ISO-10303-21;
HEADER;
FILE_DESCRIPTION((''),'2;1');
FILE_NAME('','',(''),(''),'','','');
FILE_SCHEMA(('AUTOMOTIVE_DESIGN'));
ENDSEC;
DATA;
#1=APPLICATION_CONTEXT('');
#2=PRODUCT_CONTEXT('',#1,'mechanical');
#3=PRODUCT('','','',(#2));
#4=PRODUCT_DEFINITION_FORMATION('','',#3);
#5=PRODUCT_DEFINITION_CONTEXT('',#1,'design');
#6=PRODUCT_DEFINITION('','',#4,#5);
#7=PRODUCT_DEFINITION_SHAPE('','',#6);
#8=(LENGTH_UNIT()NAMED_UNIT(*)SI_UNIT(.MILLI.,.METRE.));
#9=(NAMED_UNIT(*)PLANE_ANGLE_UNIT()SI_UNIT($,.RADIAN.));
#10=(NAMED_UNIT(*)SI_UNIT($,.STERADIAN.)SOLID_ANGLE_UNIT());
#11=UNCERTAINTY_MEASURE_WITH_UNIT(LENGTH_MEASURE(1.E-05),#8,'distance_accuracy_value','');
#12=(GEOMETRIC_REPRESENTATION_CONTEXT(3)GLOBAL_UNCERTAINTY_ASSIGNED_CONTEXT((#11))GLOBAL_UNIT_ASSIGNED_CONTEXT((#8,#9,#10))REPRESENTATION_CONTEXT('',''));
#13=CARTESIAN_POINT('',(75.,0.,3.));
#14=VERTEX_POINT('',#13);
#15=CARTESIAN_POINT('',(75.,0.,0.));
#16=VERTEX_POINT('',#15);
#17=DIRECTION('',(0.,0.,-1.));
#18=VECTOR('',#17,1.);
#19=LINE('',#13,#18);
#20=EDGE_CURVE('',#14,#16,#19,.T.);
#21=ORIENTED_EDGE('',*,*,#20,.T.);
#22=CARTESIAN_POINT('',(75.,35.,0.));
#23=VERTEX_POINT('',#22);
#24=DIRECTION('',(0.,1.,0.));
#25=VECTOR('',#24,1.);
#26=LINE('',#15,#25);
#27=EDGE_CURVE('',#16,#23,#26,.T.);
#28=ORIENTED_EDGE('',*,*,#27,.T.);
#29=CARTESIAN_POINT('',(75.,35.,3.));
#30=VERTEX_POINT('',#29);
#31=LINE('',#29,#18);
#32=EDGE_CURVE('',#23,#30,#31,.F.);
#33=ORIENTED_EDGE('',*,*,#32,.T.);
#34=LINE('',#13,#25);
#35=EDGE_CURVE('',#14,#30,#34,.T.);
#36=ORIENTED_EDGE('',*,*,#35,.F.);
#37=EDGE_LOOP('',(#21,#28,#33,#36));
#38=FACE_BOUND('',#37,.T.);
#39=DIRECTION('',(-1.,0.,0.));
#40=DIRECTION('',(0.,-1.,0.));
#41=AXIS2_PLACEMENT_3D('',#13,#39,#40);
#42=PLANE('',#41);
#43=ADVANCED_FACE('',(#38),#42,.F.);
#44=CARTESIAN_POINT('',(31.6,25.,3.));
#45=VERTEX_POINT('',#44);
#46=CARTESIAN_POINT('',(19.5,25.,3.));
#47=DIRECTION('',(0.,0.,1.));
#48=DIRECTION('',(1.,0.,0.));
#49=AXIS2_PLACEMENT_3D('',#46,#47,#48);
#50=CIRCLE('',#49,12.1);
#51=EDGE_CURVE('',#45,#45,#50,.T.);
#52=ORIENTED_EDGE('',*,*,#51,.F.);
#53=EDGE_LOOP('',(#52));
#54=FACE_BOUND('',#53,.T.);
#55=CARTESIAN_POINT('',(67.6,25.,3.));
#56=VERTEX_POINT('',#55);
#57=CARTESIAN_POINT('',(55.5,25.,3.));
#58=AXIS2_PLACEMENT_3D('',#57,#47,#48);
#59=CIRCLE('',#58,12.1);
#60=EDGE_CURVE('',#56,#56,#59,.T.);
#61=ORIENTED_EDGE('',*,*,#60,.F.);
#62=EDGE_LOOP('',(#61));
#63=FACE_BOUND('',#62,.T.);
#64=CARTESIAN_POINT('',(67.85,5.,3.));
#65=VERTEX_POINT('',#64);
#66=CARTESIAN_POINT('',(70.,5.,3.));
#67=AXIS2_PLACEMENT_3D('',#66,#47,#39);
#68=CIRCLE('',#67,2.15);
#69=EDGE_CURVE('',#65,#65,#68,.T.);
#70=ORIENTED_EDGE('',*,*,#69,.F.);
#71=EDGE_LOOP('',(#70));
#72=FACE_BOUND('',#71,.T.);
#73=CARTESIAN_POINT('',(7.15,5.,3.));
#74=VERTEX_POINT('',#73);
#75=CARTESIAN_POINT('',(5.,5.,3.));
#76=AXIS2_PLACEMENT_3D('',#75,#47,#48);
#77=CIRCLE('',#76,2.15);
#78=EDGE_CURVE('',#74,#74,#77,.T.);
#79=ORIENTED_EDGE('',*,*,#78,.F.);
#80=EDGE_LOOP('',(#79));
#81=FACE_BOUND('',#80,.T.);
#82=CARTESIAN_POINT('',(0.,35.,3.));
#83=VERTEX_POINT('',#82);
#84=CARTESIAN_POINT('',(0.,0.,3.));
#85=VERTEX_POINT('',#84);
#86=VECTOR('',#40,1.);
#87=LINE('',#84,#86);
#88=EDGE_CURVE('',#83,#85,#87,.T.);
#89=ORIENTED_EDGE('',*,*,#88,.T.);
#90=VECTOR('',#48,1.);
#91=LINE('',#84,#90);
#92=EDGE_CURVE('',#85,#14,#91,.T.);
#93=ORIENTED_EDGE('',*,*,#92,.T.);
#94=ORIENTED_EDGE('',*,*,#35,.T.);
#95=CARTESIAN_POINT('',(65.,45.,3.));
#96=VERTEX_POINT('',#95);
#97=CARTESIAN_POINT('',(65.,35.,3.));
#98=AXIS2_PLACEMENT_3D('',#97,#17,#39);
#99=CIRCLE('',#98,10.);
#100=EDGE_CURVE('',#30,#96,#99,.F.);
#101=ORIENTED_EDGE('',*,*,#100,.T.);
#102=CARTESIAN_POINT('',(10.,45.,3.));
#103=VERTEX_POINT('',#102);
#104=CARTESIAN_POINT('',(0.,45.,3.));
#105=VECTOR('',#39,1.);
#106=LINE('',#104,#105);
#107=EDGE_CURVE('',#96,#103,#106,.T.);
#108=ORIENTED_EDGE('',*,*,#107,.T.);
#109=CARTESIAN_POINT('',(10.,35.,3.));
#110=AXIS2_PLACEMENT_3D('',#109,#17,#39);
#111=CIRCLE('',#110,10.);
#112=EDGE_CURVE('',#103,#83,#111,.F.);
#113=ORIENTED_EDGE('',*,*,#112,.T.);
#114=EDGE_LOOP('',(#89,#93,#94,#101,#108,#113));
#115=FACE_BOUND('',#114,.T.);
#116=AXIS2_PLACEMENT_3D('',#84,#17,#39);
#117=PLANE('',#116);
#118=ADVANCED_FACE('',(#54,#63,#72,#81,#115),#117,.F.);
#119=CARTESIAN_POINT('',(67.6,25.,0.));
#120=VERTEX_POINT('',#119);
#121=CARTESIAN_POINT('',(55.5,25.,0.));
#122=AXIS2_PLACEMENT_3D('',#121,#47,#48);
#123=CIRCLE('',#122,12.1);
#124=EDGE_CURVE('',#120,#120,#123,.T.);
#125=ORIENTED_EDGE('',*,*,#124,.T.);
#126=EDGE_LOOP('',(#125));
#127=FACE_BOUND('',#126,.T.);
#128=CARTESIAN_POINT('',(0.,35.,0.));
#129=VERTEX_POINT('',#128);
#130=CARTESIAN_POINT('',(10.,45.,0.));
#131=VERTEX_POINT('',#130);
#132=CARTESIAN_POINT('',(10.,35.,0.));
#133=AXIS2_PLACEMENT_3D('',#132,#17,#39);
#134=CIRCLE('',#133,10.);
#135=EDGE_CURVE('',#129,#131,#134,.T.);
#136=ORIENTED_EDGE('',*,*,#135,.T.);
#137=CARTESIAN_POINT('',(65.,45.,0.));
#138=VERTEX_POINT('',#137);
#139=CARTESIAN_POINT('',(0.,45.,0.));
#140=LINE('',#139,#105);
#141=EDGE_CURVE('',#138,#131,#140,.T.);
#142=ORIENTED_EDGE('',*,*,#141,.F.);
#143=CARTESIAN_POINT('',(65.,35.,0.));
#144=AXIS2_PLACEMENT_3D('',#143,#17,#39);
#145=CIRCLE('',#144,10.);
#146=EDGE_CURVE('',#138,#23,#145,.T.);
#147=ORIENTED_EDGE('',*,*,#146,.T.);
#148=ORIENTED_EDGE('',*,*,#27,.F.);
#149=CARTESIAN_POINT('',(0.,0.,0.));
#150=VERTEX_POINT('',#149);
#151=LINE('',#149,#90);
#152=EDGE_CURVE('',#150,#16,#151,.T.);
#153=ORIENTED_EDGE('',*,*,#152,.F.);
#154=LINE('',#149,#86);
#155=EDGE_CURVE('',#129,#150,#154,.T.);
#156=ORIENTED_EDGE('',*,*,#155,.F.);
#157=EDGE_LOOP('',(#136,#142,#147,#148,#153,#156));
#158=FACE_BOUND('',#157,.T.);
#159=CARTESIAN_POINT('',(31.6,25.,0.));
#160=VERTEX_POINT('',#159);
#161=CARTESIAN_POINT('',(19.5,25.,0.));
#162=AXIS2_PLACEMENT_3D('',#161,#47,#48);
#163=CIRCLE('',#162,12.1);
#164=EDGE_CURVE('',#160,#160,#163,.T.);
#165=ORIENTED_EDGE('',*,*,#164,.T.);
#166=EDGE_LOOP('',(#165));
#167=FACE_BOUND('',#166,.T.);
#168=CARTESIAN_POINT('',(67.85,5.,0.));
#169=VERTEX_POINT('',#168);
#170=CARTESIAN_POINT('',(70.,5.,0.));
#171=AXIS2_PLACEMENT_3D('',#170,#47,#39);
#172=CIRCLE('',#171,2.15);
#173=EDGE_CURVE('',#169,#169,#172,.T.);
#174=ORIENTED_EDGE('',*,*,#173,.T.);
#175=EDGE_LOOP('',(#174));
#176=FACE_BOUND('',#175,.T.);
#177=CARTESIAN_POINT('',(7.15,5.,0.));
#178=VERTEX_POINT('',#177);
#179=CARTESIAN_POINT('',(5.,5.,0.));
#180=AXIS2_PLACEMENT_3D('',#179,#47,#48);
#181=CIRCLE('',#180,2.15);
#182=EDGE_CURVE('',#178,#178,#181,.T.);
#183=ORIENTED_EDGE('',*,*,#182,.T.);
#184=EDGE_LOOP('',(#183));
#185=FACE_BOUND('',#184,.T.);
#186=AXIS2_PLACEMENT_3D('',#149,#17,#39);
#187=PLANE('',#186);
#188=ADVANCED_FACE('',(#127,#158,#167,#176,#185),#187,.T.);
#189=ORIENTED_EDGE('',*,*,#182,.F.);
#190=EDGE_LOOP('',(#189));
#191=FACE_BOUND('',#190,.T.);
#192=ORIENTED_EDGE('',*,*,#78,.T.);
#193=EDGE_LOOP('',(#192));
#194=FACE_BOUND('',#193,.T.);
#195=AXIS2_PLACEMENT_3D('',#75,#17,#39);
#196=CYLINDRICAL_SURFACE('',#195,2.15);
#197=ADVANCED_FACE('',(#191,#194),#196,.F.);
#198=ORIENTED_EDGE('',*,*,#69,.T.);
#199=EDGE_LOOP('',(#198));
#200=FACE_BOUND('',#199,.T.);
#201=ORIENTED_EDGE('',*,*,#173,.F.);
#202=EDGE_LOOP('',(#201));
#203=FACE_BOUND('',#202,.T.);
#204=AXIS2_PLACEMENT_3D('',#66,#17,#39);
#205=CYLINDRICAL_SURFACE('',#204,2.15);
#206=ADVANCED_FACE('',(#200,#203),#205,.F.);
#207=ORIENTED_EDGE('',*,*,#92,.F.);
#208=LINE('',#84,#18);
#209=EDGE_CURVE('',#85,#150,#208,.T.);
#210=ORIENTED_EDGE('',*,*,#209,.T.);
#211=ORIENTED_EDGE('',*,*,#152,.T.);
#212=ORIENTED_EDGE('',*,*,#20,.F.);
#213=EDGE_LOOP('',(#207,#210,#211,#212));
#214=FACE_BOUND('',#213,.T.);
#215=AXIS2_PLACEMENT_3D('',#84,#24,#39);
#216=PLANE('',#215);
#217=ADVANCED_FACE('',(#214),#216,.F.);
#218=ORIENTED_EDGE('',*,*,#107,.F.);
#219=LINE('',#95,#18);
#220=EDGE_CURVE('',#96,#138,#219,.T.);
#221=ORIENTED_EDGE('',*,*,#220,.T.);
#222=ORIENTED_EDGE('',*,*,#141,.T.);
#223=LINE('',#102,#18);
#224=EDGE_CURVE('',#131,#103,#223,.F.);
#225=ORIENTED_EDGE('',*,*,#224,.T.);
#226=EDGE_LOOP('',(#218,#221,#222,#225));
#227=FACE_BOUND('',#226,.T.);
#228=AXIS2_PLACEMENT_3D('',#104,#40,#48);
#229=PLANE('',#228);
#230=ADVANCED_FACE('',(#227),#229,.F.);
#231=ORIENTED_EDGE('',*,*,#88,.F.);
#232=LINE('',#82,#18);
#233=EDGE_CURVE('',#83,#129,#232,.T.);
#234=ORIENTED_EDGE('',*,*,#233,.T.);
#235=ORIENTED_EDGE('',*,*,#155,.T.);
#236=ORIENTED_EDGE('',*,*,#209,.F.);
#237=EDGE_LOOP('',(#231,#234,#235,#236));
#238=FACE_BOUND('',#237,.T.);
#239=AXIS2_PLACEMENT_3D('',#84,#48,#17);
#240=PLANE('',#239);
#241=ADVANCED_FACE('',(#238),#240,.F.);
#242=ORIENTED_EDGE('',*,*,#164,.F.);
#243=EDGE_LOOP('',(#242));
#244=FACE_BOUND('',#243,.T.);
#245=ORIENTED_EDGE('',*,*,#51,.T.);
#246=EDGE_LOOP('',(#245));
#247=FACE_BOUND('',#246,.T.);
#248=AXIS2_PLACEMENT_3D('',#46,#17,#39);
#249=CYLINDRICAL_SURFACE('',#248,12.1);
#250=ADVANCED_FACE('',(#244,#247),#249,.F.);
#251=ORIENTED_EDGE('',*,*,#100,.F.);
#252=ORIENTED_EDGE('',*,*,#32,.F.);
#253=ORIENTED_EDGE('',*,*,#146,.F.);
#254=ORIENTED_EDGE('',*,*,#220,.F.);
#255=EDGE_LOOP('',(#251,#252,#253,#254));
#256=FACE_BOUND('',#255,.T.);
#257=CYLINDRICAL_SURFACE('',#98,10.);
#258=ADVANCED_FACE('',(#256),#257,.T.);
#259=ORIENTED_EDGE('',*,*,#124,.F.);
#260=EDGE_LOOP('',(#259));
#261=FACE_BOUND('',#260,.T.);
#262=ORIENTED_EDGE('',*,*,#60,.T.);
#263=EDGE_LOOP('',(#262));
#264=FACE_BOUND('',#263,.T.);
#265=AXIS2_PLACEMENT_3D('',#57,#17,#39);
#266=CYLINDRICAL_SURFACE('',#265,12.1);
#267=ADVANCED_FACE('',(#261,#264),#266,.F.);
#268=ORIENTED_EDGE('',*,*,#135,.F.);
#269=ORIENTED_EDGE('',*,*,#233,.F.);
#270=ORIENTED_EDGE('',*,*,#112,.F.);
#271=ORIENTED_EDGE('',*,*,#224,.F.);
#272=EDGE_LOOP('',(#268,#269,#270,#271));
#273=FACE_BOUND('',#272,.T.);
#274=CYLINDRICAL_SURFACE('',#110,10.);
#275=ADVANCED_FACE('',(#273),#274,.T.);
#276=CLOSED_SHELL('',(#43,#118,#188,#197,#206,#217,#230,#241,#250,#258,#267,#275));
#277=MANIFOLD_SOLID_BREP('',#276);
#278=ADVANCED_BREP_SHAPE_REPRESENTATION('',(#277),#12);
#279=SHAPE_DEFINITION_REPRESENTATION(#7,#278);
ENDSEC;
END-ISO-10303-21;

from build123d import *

# Parameters (mm, degrees)
SKETCH_1_W      = 75
SKETCH_1_H      = 45
SKETCH_1_R      = 12.1
SKETCH_1_R_2    = 2.15
EXTRUDE_1_DEPTH = 3
FILLET_1_R      = 10


with BuildPart() as part:
    # ｽｹｯﾁ1 → ﾎﾞｽ - 押し出し1 (new body)
    with BuildSketch(Plane.XY):
        with Locations((37.5, 22.5)):
            Rectangle(SKETCH_1_W, SKETCH_1_H)
        with Locations((19.5, 25)):
            Circle(SKETCH_1_R, mode=Mode.SUBTRACT)
        with Locations((55.5, 25)):
            Circle(SKETCH_1_R, mode=Mode.SUBTRACT)
        with Locations((5, 5)):
            Circle(SKETCH_1_R_2, mode=Mode.SUBTRACT)
        with Locations(Location((70, 5, 0), (0, 0, 180))):
            Circle(SKETCH_1_R_2, mode=Mode.SUBTRACT)
    extrude(amount=EXTRUDE_1_DEPTH)

    # ﾌｨﾚｯﾄ1
    fillet_1_edges = [part.edges().sort_by_distance(p)[0] for p in [
        (0, 45, 1.5),
        (75, 45, 1.5),
    ]]
    fillet(fillet_1_edges, radius=FILLET_1_R)


solid = part.part
